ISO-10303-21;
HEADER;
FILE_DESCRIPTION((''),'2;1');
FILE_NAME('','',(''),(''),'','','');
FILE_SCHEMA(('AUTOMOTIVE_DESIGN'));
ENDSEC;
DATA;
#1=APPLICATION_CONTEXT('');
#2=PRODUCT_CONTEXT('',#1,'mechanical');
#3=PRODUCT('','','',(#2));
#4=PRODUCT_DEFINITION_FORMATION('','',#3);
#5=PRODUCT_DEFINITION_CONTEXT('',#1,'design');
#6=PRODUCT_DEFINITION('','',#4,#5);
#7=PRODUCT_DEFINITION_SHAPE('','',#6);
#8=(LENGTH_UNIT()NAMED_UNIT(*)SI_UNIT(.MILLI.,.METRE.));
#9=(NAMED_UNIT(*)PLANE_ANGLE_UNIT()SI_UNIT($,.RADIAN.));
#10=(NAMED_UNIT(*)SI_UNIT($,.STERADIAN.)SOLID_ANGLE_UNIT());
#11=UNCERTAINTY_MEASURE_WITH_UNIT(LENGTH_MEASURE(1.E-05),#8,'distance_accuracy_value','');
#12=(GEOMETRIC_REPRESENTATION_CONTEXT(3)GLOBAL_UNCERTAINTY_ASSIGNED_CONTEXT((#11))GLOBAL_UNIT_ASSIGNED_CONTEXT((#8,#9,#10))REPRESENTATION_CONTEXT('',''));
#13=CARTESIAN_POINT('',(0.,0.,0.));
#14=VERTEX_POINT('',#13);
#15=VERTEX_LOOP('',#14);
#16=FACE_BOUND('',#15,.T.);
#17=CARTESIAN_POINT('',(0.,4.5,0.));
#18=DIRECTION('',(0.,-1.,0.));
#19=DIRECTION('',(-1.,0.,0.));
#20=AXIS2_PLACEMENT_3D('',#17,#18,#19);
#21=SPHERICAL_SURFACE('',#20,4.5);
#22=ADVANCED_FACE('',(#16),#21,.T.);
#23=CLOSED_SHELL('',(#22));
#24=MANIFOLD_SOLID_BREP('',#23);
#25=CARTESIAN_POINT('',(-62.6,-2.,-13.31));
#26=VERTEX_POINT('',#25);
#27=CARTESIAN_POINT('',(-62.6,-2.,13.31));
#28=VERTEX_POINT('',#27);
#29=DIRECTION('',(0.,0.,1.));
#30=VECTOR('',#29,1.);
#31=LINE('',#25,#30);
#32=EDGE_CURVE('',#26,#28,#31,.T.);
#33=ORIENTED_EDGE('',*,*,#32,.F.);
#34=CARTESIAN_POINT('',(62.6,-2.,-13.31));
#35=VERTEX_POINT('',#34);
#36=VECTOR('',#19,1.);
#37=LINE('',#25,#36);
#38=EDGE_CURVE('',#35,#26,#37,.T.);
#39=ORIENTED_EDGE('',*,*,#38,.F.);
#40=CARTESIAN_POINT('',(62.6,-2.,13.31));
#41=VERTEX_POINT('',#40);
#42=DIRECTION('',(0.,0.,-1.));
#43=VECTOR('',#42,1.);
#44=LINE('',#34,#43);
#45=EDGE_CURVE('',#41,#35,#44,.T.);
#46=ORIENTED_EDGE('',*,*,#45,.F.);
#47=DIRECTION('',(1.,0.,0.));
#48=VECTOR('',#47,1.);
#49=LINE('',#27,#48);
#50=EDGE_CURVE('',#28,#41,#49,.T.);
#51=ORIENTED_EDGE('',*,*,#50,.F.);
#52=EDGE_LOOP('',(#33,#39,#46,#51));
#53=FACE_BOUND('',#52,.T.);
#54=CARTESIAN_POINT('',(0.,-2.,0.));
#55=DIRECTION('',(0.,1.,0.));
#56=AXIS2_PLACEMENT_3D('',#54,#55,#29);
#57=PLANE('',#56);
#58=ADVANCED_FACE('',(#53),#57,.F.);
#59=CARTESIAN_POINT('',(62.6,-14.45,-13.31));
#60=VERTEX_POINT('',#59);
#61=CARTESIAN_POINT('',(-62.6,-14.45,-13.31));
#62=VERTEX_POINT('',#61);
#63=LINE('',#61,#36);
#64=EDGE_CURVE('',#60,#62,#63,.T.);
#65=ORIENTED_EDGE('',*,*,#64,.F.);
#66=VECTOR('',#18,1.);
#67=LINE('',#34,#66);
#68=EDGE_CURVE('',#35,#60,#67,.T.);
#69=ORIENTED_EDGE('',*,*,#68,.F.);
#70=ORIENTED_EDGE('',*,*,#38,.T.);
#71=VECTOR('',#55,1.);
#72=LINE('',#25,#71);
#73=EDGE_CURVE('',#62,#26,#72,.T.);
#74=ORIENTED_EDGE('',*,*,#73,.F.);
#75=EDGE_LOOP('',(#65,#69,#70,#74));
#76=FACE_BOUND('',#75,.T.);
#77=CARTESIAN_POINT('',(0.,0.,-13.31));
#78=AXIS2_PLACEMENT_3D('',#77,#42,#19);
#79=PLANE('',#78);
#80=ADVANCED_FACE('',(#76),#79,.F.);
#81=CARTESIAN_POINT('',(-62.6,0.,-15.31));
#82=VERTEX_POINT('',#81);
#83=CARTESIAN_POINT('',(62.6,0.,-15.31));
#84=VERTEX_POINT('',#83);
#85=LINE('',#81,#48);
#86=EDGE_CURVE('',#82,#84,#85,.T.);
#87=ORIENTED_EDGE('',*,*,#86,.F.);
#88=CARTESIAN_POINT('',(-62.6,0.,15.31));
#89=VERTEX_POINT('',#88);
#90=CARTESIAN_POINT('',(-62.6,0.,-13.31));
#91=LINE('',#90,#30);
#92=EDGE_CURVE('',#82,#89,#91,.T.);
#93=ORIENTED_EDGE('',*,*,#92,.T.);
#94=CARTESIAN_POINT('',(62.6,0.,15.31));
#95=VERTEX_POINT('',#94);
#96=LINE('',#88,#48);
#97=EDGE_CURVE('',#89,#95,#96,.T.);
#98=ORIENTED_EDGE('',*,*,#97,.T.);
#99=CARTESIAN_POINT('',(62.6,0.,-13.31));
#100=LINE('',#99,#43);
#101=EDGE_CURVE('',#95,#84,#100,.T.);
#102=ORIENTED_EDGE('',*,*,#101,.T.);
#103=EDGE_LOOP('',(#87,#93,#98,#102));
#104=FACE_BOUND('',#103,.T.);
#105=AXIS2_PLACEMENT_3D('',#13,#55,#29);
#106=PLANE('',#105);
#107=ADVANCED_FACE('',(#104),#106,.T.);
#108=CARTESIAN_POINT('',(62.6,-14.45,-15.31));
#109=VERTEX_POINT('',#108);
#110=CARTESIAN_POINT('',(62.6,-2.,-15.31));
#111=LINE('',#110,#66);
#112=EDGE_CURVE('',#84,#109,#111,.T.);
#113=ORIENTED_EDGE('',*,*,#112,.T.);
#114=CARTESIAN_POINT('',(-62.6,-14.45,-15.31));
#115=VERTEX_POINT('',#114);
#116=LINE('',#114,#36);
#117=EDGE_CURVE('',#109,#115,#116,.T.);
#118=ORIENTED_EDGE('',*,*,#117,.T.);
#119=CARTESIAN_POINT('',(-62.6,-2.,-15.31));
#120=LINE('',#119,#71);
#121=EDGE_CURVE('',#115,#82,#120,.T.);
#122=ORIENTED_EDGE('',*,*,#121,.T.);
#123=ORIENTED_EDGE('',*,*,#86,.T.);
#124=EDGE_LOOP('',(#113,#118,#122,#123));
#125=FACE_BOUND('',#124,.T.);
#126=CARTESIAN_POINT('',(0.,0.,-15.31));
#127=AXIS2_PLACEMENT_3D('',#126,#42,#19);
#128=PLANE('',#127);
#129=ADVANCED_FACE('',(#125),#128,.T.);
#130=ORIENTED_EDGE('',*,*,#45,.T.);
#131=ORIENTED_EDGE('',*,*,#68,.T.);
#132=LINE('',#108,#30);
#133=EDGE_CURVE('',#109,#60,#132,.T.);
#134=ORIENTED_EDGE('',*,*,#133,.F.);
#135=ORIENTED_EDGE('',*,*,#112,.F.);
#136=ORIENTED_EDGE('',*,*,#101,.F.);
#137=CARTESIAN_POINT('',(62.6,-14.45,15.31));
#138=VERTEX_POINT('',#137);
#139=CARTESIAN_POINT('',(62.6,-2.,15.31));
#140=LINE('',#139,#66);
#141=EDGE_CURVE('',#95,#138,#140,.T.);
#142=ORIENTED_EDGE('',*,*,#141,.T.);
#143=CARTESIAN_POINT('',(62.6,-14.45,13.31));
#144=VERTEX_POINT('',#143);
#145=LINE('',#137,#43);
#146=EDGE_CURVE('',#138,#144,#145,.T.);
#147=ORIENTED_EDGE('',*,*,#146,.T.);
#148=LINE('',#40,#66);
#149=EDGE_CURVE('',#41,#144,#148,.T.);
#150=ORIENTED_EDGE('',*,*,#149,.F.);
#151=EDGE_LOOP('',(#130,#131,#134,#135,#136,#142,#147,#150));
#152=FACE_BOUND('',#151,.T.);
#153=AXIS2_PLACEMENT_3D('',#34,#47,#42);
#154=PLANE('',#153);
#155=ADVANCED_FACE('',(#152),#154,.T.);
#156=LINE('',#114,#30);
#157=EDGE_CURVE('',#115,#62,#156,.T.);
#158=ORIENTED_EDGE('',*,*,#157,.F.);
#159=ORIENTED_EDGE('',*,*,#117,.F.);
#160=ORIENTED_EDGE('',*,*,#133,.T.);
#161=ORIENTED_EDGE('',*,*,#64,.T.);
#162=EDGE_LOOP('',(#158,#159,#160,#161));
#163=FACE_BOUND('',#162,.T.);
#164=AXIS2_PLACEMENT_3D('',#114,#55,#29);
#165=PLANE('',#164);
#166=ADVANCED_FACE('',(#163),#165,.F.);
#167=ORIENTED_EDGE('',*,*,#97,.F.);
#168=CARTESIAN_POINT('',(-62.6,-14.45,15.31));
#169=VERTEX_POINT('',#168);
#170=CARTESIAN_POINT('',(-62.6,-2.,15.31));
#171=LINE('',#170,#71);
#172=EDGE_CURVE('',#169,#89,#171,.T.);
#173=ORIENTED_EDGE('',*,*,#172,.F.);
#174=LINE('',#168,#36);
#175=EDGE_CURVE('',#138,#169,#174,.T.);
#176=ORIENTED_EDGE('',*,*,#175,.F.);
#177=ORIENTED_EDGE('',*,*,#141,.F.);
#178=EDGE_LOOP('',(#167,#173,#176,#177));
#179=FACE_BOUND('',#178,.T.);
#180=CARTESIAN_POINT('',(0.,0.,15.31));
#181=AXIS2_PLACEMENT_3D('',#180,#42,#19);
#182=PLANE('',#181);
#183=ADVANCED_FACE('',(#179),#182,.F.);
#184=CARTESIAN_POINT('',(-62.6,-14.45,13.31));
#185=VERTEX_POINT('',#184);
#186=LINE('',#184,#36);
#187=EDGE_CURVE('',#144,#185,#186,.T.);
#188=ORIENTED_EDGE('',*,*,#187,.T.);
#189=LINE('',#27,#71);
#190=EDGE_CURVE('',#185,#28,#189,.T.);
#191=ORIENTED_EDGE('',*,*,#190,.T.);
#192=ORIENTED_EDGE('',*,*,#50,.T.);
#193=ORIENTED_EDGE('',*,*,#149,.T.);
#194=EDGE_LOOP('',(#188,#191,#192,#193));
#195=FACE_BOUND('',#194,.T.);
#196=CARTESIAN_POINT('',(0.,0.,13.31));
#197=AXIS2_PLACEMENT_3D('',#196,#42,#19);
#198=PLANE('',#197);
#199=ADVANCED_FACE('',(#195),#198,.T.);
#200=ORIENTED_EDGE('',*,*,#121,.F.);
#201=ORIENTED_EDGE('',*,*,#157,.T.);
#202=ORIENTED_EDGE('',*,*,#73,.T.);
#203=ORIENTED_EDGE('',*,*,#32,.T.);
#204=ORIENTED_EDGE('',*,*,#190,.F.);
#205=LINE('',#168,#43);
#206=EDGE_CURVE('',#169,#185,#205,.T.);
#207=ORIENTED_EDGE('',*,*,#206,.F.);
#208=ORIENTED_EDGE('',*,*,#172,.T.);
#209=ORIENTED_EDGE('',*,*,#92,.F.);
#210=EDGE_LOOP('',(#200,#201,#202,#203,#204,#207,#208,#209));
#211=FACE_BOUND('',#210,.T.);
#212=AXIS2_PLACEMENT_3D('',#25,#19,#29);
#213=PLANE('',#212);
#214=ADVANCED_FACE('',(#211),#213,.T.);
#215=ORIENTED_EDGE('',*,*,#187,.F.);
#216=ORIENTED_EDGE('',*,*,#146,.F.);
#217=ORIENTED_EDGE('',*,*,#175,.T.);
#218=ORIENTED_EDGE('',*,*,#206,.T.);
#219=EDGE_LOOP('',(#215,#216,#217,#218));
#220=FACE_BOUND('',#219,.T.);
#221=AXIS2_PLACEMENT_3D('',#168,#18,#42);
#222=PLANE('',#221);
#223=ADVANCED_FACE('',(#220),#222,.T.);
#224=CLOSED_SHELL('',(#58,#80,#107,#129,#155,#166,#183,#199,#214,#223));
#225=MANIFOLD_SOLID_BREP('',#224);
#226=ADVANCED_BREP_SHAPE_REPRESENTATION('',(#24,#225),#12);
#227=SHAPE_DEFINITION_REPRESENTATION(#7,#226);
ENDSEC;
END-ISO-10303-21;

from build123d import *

# Parameters (mm, degrees)
ESBO_O4_W                = 125.2
ESBO_O4_H                = 26.62
RESSALTO_EXTRUS_O1_DEPTH = 2
RESSALTO_EXTRUS_O2_START = 13.31
ESBO_O5_W                = 125.2
ESBO_O5_H                = 14.45
RESSALTO_EXTRUS_O2_DEPTH = 2
RESSALTO_EXTRUS_O3_START = -13.31
ESBO_O6_W                = 125.2
ESBO_O6_H                = 14.45
RESSALTO_EXTRUS_O3_DEPTH = 2


with BuildPart() as part:
    # Esboço3 → Revolução1 (revolve)
    with BuildSketch(Plane.XY):
        with BuildLine():
            Line((0, 0), (0, 9))
            ThreePointArc((0, 9), (-4.5, 4.5), (0, 0))
        make_face()
    revolve(axis=Axis((0, 0, 0), (0, 1, 0)))


with BuildPart() as body_2:
    # Esboço4 → Ressalto-extrusão1 (new body)
    with BuildSketch(Plane(origin=(0, 0, 0), x_dir=(1, 0, 0), z_dir=(0, 1, 0))):
        Rectangle(ESBO_O4_W, ESBO_O4_H)
    extrude(amount=-RESSALTO_EXTRUS_O1_DEPTH)

    # Esboço5 → Ressalto-extrusão2 (add)
    with BuildSketch(Plane.XY.offset(RESSALTO_EXTRUS_O2_START)):
        with Locations((0, -7.225)):
            Rectangle(ESBO_O5_W, ESBO_O5_H)
    extrude(amount=RESSALTO_EXTRUS_O2_DEPTH)

    # Esboço6 → Ressalto-extrusão3 (add)
    with BuildSketch(Plane.XY.offset(RESSALTO_EXTRUS_O3_START)):
        with Locations((0, -7.225)):
            Rectangle(ESBO_O6_W, ESBO_O6_H)
    extrude(amount=-RESSALTO_EXTRUS_O3_DEPTH)


solid = Compound([part.part, body_2.part])
